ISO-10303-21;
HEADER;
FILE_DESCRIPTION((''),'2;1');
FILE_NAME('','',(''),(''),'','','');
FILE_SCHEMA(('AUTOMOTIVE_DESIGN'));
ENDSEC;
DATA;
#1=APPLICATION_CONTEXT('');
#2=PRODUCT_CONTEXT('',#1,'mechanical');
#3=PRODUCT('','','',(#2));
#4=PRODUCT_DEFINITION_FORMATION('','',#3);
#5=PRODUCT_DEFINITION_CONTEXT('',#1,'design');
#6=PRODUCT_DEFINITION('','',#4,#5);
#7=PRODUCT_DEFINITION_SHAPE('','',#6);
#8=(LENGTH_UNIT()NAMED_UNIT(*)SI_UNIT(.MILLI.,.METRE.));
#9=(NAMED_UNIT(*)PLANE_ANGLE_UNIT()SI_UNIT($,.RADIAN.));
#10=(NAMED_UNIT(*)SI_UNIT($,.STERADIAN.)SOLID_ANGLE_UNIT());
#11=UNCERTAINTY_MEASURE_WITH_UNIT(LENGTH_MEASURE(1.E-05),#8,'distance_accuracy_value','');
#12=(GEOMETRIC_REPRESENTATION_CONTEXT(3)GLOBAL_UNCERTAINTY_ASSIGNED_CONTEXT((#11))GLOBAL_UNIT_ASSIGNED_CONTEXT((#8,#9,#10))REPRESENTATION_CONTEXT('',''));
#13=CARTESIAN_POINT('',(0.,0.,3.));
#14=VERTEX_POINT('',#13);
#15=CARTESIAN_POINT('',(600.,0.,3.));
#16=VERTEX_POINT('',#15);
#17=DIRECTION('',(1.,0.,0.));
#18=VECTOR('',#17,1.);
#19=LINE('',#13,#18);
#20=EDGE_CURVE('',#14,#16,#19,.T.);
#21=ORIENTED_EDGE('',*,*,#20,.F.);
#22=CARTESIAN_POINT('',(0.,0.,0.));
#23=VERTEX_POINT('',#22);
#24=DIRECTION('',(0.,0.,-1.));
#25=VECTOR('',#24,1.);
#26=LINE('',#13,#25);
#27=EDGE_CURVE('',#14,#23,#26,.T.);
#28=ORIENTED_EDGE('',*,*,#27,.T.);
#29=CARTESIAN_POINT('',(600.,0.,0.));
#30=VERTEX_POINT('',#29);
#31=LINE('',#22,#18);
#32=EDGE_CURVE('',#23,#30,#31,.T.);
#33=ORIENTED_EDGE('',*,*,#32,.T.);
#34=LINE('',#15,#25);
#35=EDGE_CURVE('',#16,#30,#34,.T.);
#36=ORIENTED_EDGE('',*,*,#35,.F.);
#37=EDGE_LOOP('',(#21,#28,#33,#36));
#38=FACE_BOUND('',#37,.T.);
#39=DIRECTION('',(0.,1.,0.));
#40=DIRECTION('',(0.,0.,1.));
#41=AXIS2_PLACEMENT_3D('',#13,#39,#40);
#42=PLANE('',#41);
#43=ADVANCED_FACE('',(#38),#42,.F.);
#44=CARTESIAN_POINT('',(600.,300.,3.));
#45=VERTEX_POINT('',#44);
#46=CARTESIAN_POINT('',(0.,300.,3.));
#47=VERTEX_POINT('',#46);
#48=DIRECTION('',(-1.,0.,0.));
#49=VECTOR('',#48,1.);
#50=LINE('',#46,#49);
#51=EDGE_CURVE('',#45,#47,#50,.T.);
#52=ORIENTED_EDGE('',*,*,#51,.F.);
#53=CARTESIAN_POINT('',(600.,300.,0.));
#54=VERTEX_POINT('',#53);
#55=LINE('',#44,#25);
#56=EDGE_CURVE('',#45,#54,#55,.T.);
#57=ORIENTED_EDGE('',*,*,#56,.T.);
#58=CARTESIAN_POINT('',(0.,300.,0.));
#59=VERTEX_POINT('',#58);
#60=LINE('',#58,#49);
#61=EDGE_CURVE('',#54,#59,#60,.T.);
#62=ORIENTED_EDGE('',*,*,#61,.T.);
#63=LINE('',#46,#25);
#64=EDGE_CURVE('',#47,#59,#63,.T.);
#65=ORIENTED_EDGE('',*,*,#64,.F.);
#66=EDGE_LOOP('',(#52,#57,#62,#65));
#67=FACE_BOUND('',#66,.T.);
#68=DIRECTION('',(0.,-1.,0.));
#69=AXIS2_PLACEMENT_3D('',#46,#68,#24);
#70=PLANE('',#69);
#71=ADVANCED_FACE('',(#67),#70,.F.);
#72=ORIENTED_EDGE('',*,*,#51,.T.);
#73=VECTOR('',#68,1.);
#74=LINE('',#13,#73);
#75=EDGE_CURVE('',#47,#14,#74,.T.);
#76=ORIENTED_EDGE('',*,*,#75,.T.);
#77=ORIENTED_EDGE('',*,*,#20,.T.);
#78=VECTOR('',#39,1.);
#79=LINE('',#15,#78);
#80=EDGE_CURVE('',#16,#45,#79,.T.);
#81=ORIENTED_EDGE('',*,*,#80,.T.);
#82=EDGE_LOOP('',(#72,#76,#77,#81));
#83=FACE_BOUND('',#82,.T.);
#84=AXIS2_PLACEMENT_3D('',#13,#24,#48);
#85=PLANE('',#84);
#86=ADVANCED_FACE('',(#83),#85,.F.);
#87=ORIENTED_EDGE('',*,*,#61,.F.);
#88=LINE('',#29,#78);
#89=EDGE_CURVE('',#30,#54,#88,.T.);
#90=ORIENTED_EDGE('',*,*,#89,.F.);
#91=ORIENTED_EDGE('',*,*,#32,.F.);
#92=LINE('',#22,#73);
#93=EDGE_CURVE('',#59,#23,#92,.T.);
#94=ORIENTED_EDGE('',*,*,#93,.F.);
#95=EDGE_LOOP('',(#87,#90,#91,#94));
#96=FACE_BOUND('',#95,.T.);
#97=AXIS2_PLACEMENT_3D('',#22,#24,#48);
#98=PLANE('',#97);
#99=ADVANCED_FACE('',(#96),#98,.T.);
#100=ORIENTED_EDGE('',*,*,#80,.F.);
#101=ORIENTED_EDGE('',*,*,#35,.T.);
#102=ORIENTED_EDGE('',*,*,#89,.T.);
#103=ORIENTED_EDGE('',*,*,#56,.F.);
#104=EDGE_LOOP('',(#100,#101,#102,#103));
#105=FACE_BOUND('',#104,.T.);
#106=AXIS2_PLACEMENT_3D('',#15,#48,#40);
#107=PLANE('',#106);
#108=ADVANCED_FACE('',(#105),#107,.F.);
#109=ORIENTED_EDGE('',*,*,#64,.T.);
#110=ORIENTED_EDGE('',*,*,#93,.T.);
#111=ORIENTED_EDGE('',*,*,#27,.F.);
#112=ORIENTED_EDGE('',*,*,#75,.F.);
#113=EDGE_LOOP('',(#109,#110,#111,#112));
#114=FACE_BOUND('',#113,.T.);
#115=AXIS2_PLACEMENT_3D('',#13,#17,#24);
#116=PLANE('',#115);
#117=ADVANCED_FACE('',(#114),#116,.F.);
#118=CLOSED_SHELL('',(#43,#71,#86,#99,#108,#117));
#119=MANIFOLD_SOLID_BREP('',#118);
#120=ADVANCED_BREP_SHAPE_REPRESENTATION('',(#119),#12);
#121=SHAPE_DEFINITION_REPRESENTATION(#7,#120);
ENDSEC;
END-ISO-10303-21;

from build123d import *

# Parameters (mm, degrees)
CROQUIS1_W              = 600
CROQUIS1_H              = 300
SALIENTE_EXTRUIR1_DEPTH = 3


with BuildPart() as part:
    # Croquis1 → Saliente-Extruir1 (new body)
    with BuildSketch(Plane.XY):
        with Locations((300, 150)):
            Rectangle(CROQUIS1_W, CROQUIS1_H)
    extrude(amount=SALIENTE_EXTRUIR1_DEPTH)


solid = part.part
